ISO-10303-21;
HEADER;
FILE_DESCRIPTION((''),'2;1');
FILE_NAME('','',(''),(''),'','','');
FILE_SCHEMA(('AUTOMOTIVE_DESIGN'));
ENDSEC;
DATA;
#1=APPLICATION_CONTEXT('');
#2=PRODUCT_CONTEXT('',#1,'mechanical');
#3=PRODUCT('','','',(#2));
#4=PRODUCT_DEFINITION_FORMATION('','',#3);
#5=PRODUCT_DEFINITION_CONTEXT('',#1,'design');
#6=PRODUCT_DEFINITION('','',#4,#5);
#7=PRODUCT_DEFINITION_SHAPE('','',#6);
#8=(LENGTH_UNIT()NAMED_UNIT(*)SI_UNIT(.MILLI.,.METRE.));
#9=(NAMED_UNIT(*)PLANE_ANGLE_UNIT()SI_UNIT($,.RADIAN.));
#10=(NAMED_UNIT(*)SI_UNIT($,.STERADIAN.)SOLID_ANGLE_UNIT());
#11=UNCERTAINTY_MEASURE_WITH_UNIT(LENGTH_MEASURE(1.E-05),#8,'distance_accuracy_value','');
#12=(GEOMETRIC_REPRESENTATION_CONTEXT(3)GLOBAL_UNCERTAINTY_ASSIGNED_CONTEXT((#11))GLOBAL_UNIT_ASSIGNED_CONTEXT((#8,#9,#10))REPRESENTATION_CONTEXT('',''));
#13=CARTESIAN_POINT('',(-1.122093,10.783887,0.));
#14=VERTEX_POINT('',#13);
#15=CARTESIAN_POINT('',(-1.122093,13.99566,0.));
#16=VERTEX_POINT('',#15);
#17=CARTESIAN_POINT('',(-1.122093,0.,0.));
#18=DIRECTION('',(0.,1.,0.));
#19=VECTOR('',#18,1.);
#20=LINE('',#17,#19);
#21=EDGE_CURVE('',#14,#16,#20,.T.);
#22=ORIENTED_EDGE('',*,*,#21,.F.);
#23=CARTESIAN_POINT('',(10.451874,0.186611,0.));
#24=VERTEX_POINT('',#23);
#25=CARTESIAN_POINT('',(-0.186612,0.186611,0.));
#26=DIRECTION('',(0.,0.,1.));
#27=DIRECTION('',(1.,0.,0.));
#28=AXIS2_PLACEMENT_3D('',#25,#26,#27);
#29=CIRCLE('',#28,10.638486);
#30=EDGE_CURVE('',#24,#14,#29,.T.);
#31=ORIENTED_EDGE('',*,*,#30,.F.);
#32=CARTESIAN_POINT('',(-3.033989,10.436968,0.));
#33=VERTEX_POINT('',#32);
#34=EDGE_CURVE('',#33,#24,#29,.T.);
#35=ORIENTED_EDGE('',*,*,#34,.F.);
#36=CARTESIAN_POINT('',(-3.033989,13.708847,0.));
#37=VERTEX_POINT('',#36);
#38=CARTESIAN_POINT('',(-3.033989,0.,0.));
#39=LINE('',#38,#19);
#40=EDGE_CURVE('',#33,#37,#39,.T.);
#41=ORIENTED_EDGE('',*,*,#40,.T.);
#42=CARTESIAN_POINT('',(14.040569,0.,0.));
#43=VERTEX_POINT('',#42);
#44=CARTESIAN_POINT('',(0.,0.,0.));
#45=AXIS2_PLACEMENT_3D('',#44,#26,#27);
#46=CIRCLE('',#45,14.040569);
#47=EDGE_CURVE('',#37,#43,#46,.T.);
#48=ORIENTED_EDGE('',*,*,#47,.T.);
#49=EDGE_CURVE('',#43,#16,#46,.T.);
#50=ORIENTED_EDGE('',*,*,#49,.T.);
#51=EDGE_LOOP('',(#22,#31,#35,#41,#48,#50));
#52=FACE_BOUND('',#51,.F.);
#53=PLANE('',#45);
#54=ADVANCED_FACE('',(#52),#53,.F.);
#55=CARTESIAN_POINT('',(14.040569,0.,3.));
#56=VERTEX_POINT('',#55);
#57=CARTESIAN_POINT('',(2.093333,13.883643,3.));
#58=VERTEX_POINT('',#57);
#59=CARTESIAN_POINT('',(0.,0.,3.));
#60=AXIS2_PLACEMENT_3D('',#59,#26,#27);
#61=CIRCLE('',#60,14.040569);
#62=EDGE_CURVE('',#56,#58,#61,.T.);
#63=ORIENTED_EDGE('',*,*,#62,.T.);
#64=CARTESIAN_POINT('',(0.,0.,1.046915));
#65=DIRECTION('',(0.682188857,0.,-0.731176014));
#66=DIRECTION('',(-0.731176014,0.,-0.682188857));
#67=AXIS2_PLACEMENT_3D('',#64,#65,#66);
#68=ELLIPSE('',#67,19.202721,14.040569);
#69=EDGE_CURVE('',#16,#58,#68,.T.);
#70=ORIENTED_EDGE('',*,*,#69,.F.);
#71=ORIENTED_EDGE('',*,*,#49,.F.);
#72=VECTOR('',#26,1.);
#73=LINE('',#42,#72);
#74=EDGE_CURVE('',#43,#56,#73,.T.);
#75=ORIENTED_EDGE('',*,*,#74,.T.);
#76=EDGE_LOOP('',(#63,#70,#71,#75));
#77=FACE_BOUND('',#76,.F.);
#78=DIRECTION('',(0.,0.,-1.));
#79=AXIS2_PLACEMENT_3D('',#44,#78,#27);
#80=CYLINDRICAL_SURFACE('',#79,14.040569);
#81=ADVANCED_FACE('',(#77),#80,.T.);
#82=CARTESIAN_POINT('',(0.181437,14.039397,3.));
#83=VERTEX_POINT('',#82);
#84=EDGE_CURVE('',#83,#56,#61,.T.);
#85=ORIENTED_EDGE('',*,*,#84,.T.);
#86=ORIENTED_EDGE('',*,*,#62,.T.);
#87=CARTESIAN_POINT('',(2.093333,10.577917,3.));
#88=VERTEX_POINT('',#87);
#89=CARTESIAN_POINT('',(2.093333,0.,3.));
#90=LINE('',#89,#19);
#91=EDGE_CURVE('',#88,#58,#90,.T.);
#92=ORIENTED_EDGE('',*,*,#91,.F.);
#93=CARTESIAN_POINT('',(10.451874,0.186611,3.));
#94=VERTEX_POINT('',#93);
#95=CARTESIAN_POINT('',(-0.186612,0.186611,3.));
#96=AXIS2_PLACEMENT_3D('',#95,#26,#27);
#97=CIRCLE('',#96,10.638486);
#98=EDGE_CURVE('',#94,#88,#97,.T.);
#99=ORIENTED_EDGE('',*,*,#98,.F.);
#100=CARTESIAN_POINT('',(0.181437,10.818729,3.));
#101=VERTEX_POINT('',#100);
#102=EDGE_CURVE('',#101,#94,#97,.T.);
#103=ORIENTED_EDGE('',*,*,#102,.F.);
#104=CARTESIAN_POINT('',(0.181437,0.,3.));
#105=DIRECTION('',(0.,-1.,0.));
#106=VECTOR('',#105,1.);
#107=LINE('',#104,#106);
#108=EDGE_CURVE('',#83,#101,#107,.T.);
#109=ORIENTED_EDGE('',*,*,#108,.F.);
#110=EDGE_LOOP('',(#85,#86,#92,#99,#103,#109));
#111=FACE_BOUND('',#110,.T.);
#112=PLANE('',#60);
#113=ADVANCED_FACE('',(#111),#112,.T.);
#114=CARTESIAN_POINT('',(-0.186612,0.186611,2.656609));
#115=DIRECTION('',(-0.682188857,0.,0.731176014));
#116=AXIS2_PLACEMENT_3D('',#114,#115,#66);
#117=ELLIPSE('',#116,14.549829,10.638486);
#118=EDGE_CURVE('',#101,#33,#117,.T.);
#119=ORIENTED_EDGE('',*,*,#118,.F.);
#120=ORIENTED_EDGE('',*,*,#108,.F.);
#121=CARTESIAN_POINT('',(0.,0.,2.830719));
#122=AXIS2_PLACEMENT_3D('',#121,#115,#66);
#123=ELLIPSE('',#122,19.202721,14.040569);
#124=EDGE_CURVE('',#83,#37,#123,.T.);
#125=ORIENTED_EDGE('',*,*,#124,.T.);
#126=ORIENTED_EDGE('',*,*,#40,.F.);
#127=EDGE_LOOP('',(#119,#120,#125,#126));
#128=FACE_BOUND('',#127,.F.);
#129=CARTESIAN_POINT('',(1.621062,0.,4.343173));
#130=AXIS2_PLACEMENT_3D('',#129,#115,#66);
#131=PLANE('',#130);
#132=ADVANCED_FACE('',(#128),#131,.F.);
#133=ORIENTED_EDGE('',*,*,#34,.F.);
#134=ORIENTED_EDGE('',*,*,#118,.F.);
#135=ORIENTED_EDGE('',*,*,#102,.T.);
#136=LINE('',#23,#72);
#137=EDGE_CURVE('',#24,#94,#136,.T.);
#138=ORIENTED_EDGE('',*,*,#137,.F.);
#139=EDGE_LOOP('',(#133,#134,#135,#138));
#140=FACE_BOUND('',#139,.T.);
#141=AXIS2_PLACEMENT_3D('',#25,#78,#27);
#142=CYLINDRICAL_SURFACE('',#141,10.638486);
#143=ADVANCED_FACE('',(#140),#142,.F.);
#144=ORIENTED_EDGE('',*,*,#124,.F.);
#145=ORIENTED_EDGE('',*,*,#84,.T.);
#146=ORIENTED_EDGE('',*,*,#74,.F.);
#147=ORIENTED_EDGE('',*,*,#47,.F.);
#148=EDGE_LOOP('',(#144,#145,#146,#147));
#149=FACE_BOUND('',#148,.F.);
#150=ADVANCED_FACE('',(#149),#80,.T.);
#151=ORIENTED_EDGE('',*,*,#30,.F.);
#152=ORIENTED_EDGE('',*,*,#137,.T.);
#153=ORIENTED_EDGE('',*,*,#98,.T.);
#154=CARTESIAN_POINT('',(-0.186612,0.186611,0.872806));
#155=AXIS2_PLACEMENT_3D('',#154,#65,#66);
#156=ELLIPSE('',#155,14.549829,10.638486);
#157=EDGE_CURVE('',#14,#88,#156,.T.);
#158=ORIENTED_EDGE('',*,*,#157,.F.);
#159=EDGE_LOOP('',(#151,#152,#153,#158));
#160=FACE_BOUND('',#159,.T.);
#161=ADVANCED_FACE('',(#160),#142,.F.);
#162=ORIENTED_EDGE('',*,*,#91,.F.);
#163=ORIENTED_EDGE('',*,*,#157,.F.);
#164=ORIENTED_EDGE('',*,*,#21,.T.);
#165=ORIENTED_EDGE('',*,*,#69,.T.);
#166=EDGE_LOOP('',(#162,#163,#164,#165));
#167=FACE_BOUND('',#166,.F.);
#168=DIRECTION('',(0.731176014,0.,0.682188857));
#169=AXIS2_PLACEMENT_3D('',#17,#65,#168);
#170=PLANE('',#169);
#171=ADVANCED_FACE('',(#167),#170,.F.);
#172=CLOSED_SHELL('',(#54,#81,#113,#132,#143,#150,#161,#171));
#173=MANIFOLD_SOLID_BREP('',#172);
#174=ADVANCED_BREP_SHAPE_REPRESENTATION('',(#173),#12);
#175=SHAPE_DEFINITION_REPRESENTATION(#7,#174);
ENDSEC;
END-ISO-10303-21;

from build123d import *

# Parameters (mm, degrees)
F0_R     = 14.040569
F0_R_2   = 10.638486
F1_DEPTH = 3
F3_DEPTH = 25


with BuildPart() as f1:
    # F0 (on Top) → F1 (new body)
    with BuildSketch(Plane.XY):
        Circle(F0_R)
        with Locations((-0.186612, 0.186611)):
            Circle(F0_R_2, mode=Mode.SUBTRACT)
    extrude(amount=F1_DEPTH)

    # F2 (on Front) → F3 (cut)
    with BuildSketch(Plane.XZ):
        Polygon((1.621062, 4.343173), (-3.033989, 0), (-1.122093, 0), (3.532958, 4.343173), align=None)
    extrude(amount=-F3_DEPTH, mode=Mode.SUBTRACT)


solid = f1.part
